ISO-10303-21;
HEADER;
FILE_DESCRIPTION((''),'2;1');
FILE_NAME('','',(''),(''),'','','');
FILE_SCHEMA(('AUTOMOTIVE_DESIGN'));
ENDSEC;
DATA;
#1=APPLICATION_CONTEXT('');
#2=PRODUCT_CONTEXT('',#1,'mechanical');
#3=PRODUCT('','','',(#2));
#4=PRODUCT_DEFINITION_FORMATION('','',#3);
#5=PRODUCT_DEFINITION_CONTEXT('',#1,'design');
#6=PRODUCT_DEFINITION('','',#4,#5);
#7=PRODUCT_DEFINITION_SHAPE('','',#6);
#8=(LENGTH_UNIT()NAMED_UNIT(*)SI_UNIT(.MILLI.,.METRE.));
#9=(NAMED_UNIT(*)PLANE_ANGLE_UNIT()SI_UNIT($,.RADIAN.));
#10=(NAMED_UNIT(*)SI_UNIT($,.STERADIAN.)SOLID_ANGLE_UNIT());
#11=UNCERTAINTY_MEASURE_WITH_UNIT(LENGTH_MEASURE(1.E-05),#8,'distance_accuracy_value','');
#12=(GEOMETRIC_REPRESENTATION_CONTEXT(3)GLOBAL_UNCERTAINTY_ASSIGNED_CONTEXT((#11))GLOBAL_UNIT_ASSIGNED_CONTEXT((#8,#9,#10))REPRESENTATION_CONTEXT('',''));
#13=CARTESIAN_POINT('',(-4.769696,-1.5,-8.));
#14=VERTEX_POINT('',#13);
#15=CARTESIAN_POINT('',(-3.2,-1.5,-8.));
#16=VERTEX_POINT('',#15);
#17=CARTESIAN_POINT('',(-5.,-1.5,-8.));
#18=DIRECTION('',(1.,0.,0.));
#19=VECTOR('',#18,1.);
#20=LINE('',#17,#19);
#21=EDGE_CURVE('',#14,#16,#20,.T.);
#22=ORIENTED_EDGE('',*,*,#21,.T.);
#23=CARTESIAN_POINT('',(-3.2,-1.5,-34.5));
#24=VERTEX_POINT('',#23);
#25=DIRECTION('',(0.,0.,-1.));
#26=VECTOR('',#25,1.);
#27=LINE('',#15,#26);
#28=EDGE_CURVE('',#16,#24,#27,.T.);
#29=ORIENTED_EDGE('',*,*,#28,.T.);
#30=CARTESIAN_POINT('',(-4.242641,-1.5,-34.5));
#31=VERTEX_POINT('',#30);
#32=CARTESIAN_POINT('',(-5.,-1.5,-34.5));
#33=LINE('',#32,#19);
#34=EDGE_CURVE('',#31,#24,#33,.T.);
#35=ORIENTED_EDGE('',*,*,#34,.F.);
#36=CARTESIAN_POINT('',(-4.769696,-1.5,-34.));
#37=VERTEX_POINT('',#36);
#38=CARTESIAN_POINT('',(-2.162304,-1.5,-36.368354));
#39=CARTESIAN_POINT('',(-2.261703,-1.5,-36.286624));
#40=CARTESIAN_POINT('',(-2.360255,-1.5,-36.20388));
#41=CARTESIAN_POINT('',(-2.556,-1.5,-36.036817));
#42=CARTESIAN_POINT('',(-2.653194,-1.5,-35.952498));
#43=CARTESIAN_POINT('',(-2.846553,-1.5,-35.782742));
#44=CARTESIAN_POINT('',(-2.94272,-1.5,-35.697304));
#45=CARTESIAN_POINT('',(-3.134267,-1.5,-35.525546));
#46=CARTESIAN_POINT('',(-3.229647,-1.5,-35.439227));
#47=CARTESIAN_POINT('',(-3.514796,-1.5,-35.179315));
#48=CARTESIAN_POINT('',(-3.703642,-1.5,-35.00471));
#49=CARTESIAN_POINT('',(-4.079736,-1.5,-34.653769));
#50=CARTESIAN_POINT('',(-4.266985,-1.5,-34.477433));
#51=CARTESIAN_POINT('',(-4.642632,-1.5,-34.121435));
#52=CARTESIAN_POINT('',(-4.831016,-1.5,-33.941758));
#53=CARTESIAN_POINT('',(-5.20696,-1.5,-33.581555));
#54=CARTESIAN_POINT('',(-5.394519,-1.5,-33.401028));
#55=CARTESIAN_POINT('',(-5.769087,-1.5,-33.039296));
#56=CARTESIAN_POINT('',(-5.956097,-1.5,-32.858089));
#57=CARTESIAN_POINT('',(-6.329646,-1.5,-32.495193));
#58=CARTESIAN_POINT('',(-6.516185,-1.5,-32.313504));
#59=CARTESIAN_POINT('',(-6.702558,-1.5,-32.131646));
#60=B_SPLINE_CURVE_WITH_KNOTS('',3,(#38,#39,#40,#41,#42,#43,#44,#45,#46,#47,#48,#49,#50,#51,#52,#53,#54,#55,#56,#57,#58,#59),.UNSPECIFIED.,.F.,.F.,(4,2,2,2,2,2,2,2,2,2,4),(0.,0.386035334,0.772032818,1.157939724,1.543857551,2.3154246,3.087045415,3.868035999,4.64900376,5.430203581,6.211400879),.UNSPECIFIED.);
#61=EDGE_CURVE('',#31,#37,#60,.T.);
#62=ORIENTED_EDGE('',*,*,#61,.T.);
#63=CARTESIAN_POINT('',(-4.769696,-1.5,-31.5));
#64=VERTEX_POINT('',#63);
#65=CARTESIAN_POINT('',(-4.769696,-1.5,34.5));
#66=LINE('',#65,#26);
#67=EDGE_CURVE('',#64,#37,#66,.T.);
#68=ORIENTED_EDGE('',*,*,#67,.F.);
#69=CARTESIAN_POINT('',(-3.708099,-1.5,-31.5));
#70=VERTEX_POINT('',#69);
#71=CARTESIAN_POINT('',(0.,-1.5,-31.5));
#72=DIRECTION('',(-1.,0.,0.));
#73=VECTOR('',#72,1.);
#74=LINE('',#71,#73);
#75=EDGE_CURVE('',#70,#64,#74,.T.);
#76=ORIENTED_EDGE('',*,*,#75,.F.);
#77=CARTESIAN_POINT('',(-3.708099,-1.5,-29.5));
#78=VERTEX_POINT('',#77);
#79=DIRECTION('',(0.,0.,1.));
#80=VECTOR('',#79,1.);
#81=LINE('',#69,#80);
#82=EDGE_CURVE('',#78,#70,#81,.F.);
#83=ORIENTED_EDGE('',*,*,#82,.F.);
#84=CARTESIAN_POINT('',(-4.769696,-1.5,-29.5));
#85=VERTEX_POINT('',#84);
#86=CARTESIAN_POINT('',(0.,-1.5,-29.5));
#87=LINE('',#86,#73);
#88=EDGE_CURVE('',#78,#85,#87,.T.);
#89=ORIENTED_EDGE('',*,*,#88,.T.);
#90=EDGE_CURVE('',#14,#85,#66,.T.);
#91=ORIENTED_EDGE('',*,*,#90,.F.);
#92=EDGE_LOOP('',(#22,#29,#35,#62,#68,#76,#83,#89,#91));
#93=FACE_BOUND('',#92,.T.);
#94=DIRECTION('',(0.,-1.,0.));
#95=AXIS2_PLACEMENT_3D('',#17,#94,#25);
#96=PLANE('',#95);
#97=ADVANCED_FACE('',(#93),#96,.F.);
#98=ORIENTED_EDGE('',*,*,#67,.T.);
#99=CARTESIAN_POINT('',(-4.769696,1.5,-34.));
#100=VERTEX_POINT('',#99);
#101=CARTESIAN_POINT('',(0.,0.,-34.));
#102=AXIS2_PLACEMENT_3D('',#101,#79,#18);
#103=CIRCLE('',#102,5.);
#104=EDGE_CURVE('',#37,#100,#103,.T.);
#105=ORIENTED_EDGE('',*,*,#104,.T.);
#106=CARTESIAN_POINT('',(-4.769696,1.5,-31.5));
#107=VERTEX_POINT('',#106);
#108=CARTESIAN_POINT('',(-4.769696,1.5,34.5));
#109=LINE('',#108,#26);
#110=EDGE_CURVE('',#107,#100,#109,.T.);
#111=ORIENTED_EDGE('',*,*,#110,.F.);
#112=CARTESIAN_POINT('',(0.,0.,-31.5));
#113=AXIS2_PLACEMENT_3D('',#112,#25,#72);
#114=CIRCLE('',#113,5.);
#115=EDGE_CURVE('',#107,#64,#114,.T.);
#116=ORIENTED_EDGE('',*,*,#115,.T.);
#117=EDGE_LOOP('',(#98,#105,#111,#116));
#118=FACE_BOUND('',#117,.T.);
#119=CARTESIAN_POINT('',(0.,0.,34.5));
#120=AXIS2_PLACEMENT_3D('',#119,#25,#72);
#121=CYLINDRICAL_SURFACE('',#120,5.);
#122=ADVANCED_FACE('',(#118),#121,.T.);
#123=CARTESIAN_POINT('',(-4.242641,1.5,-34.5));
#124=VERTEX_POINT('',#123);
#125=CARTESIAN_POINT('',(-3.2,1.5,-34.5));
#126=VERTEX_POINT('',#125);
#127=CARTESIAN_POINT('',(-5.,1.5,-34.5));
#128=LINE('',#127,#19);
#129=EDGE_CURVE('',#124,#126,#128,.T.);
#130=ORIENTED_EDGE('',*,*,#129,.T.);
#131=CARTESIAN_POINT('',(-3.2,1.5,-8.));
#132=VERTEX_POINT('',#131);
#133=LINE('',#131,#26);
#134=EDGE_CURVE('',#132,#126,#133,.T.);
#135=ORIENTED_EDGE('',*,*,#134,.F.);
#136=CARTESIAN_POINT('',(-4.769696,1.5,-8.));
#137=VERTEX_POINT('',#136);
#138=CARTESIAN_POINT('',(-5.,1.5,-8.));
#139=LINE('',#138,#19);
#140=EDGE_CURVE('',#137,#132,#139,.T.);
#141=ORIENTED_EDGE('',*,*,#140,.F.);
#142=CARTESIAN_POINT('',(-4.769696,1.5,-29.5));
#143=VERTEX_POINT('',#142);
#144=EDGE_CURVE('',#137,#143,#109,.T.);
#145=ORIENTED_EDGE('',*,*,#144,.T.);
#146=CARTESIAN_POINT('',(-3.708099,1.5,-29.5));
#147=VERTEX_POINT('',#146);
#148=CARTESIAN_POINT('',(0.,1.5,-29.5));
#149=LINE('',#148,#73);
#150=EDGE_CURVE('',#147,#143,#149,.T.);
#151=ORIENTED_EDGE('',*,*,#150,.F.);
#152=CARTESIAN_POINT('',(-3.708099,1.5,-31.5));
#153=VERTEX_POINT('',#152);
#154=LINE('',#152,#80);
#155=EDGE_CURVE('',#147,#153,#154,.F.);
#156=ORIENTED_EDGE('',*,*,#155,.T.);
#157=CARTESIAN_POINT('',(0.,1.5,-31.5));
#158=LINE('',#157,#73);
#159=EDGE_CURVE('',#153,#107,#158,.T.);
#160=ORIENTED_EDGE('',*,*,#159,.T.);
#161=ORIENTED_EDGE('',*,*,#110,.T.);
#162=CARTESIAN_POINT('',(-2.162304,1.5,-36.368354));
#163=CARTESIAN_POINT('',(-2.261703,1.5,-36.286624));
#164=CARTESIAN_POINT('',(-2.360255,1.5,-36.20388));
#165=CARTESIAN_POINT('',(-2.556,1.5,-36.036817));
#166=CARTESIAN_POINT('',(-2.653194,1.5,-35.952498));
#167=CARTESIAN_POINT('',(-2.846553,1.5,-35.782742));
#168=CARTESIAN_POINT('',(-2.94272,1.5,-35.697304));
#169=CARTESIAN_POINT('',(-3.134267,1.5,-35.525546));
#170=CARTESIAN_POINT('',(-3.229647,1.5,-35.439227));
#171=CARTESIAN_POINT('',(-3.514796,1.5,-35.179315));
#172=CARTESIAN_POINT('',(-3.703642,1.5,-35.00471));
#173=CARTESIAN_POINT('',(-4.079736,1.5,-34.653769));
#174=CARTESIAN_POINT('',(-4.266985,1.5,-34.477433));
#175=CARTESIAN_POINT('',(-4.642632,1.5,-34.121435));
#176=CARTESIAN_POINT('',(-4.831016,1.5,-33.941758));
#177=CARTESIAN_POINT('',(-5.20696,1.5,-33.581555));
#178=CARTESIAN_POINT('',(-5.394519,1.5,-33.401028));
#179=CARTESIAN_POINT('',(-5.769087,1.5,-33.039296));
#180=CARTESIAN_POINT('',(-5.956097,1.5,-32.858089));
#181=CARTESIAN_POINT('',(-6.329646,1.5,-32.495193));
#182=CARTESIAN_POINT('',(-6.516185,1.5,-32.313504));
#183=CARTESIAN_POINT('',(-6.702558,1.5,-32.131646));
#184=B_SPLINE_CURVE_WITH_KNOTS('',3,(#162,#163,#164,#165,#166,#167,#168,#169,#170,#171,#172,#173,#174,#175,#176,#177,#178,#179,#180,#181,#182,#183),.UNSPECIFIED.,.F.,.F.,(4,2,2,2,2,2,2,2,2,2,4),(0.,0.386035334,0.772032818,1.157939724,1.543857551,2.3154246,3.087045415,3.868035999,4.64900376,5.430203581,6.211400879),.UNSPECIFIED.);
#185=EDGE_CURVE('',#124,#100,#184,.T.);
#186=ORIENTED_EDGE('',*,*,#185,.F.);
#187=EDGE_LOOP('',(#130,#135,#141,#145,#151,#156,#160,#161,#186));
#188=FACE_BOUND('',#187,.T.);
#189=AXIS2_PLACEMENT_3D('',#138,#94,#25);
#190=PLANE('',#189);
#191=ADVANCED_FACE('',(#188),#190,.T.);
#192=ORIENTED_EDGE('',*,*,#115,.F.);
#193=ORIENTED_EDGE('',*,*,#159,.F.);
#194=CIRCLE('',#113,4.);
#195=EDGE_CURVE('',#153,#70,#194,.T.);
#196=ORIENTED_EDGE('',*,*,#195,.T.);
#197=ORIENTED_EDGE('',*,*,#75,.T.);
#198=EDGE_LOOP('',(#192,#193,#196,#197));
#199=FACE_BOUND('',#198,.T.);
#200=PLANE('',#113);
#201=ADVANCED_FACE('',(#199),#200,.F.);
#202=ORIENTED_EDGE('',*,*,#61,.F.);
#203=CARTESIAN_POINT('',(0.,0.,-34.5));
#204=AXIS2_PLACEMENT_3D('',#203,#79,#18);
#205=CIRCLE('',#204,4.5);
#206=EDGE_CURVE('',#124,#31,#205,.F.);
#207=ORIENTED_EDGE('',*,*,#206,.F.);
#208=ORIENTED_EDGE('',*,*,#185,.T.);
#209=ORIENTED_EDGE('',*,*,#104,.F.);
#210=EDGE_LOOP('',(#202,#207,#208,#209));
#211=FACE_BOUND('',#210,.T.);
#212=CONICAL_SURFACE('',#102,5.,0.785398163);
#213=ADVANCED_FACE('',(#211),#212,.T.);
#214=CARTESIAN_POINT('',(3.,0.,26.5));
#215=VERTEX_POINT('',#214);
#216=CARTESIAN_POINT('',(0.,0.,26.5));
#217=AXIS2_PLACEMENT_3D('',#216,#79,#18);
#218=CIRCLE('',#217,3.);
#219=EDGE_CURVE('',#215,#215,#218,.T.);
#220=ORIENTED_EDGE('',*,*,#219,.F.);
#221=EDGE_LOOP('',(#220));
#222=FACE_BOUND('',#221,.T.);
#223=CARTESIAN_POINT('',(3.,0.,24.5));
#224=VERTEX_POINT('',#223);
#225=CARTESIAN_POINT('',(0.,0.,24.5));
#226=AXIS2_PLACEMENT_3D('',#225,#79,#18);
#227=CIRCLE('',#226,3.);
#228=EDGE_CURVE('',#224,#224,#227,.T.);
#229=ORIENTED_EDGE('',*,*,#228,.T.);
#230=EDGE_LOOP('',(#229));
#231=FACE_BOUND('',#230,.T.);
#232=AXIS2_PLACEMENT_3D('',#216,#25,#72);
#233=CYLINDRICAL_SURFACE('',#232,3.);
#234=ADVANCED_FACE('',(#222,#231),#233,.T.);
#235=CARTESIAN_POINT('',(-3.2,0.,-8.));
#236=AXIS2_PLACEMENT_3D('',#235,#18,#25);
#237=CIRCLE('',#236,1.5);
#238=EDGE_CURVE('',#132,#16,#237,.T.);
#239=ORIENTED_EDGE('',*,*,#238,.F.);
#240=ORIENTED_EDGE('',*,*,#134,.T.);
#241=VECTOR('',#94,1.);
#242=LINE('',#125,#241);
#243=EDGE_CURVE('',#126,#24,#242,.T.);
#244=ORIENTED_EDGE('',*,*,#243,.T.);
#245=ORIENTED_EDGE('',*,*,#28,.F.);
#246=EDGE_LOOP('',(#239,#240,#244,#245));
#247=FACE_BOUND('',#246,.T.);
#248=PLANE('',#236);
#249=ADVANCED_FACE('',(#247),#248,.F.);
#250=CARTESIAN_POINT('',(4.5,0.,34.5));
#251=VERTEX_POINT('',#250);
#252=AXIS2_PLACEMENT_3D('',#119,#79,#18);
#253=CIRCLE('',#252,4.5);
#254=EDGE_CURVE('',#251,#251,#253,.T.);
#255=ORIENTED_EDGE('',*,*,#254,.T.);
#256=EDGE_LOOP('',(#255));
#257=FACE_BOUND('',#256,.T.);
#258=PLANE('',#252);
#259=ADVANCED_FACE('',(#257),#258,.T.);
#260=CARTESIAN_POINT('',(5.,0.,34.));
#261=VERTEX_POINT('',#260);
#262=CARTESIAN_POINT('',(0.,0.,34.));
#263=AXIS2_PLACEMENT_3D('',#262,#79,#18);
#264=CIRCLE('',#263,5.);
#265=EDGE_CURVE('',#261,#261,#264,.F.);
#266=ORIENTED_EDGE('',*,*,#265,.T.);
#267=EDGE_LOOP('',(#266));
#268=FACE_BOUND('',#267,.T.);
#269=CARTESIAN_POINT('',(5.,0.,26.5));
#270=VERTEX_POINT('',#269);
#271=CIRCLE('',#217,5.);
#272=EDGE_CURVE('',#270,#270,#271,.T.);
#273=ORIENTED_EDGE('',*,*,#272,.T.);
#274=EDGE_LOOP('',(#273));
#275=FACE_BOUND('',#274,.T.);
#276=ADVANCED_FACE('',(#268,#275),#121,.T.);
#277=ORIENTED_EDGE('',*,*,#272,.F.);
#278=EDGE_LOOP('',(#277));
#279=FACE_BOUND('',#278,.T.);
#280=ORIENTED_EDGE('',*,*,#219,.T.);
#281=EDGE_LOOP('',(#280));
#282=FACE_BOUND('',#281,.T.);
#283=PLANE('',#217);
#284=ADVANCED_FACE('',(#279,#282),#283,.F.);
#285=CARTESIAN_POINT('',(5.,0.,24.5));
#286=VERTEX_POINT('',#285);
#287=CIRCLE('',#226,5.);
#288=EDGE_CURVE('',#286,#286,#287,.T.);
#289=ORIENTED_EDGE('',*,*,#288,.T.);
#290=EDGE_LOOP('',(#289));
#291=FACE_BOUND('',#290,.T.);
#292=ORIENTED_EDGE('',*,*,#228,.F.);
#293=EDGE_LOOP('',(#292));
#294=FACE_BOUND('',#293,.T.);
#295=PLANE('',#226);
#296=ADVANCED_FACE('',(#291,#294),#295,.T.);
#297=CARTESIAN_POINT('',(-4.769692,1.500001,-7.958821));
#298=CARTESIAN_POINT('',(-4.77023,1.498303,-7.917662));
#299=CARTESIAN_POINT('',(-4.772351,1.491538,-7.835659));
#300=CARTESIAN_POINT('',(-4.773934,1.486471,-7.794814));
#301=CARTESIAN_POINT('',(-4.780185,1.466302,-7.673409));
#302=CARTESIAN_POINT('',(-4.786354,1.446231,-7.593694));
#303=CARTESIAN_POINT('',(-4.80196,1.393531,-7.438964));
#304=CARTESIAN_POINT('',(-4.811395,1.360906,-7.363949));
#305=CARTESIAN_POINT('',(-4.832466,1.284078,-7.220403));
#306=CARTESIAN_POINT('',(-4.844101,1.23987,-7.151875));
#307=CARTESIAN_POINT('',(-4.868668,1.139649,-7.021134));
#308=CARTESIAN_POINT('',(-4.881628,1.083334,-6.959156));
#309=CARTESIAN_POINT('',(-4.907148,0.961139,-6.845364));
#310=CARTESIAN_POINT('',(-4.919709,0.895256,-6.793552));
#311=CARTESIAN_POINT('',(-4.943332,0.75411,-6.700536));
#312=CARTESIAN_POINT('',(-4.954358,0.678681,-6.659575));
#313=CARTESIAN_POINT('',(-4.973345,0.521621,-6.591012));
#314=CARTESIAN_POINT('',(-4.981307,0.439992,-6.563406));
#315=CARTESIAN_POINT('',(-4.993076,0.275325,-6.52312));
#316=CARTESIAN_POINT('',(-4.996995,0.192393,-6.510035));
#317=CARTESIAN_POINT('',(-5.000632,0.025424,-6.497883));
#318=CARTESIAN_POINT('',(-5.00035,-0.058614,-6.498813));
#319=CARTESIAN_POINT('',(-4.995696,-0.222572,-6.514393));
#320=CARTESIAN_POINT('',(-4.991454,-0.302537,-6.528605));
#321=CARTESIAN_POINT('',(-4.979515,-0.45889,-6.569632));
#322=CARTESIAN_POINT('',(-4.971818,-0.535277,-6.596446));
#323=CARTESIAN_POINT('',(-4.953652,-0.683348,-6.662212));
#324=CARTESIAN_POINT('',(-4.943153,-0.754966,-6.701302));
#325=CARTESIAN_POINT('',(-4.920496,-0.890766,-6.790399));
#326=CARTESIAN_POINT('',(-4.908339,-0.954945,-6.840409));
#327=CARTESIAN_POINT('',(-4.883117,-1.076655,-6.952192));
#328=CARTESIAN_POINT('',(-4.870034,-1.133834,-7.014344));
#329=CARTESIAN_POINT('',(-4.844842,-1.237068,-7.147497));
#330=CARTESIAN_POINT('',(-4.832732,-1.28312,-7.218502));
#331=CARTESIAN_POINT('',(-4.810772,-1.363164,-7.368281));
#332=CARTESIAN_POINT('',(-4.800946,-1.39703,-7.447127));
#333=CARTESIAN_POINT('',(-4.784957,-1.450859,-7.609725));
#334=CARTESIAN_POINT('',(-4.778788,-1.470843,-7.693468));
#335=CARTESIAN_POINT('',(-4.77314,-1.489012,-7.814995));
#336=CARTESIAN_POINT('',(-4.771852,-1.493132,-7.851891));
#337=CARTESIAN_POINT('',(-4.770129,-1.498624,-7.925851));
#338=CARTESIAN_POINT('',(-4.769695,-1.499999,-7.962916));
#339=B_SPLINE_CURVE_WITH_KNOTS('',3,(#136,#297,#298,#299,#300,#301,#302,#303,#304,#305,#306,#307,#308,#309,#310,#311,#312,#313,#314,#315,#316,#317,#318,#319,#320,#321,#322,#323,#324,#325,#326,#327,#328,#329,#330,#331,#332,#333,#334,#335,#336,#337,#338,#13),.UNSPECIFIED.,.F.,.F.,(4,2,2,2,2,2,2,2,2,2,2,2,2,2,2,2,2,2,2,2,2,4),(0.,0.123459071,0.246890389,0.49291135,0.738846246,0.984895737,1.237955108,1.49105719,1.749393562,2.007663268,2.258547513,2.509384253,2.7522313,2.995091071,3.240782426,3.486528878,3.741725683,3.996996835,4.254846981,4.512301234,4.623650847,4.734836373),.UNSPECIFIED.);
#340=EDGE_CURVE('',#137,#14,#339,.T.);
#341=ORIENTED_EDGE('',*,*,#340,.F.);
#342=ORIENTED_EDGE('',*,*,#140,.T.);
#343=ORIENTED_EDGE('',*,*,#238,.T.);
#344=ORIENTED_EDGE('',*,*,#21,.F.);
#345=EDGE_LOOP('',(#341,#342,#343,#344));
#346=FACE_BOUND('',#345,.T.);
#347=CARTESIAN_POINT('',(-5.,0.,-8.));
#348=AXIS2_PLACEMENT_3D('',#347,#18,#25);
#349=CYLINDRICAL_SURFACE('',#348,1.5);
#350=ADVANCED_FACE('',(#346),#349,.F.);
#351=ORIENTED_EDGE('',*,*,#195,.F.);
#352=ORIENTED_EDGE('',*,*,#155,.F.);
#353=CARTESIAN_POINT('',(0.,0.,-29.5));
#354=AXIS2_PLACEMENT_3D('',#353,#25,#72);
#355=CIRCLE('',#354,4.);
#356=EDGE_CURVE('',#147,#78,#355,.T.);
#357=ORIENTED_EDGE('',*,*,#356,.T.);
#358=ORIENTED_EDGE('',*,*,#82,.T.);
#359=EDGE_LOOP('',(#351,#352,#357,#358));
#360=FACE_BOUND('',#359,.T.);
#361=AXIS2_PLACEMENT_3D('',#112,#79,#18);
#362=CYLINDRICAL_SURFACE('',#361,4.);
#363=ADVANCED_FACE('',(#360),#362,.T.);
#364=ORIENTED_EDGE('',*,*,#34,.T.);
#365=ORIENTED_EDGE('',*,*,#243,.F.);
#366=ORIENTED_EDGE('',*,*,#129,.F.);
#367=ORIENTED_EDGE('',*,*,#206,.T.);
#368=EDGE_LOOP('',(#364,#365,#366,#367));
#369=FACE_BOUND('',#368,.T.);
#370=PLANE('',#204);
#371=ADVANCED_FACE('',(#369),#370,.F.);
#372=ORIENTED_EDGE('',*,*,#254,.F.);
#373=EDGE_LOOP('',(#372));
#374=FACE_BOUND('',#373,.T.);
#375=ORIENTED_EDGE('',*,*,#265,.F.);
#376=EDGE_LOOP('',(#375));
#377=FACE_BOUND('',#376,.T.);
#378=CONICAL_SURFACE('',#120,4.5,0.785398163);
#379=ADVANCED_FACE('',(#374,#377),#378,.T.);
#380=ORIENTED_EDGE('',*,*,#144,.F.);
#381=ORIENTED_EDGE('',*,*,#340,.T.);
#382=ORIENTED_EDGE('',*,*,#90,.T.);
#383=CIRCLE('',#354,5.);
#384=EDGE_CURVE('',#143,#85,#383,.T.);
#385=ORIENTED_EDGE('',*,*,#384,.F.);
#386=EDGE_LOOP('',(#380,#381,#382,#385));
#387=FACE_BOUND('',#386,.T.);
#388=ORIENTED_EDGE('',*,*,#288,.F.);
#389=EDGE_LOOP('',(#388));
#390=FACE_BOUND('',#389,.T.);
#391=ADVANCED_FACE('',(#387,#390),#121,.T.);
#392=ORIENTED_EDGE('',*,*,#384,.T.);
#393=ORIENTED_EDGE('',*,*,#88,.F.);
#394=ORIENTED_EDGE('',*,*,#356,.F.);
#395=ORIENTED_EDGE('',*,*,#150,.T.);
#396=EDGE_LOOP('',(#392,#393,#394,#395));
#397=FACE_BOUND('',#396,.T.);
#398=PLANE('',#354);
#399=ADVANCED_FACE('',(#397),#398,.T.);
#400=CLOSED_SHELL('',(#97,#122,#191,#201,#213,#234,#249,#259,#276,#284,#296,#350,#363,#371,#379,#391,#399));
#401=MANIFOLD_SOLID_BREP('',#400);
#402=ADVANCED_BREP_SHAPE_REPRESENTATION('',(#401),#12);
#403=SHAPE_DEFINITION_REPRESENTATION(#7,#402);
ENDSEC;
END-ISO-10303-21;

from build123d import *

# Parameters (mm, degrees)
SKETCH1_R           = 5
BOSS_EXTRUDE1_DEPTH = 34.5
CUT_EXTRUDE1_START  = -10
SKETCH2_R           = 5
SKETCH2_R_2         = 3
CUT_EXTRUDE1_DEPTH  = 2
CUT_EXTRUDE2_START  = -5
SKETCH4_R           = 5
SKETCH4_R_2         = 4
CUT_EXTRUDE2_DEPTH  = 2
CHAMFER1_SIZE       = 0.5
CUT_EXTRUDE4_START  = -3.2
CUT_EXTRUDE4_DEPTH  = 2.8


with BuildPart() as part:
    # Sketch1 → Boss-Extrude1 (new body, symmetric)
    with BuildSketch(Plane.XY):
        Circle(SKETCH1_R)
    extrude(amount=BOSS_EXTRUDE1_DEPTH, both=True)

    # Sketch2 → Cut-Extrude1 (cut)
    with BuildSketch(Plane.XY.offset(34.5).offset(CUT_EXTRUDE1_START)):
        Circle(SKETCH2_R)
        Circle(SKETCH2_R_2, mode=Mode.SUBTRACT)
    extrude(amount=CUT_EXTRUDE1_DEPTH, mode=Mode.SUBTRACT)

    # Sketch4 → Cut-Extrude2 (cut)
    with BuildSketch(Plane(origin=(0, 0, -34.5), x_dir=(-1, 0, 0), z_dir=(0, 0, -1)).offset(CUT_EXTRUDE2_START)):
        Circle(SKETCH4_R)
        Circle(SKETCH4_R_2, mode=Mode.SUBTRACT)
    extrude(amount=CUT_EXTRUDE2_DEPTH, mode=Mode.SUBTRACT)

    # Chamfer1
    chamfer1_edges = [part.edges().sort_by_distance(p)[0] for p in [
        (-5, 0, -34.5),
        (-5, 0, 34.5),
    ]]
    chamfer(chamfer1_edges, length=CHAMFER1_SIZE)

    # Sketch7 → Cut-Extrude4 (cut, through all)
    with BuildSketch(Plane(origin=(0, 0, 0), x_dir=(0, 0, -1), z_dir=(1, 0, 0)).offset(CUT_EXTRUDE4_START)):
        with BuildLine():
            Line((8, 1.5), (34.5, 1.5))
            Line((34.5, 1.5), (34.5, -1.5))
            Line((34.5, -1.5), (8, -1.5))
            ThreePointArc((8, -1.5), (6.5, 0), (8, 1.5))
        make_face()
    extrude(amount=-CUT_EXTRUDE4_DEPTH, mode=Mode.SUBTRACT)


solid = part.part
